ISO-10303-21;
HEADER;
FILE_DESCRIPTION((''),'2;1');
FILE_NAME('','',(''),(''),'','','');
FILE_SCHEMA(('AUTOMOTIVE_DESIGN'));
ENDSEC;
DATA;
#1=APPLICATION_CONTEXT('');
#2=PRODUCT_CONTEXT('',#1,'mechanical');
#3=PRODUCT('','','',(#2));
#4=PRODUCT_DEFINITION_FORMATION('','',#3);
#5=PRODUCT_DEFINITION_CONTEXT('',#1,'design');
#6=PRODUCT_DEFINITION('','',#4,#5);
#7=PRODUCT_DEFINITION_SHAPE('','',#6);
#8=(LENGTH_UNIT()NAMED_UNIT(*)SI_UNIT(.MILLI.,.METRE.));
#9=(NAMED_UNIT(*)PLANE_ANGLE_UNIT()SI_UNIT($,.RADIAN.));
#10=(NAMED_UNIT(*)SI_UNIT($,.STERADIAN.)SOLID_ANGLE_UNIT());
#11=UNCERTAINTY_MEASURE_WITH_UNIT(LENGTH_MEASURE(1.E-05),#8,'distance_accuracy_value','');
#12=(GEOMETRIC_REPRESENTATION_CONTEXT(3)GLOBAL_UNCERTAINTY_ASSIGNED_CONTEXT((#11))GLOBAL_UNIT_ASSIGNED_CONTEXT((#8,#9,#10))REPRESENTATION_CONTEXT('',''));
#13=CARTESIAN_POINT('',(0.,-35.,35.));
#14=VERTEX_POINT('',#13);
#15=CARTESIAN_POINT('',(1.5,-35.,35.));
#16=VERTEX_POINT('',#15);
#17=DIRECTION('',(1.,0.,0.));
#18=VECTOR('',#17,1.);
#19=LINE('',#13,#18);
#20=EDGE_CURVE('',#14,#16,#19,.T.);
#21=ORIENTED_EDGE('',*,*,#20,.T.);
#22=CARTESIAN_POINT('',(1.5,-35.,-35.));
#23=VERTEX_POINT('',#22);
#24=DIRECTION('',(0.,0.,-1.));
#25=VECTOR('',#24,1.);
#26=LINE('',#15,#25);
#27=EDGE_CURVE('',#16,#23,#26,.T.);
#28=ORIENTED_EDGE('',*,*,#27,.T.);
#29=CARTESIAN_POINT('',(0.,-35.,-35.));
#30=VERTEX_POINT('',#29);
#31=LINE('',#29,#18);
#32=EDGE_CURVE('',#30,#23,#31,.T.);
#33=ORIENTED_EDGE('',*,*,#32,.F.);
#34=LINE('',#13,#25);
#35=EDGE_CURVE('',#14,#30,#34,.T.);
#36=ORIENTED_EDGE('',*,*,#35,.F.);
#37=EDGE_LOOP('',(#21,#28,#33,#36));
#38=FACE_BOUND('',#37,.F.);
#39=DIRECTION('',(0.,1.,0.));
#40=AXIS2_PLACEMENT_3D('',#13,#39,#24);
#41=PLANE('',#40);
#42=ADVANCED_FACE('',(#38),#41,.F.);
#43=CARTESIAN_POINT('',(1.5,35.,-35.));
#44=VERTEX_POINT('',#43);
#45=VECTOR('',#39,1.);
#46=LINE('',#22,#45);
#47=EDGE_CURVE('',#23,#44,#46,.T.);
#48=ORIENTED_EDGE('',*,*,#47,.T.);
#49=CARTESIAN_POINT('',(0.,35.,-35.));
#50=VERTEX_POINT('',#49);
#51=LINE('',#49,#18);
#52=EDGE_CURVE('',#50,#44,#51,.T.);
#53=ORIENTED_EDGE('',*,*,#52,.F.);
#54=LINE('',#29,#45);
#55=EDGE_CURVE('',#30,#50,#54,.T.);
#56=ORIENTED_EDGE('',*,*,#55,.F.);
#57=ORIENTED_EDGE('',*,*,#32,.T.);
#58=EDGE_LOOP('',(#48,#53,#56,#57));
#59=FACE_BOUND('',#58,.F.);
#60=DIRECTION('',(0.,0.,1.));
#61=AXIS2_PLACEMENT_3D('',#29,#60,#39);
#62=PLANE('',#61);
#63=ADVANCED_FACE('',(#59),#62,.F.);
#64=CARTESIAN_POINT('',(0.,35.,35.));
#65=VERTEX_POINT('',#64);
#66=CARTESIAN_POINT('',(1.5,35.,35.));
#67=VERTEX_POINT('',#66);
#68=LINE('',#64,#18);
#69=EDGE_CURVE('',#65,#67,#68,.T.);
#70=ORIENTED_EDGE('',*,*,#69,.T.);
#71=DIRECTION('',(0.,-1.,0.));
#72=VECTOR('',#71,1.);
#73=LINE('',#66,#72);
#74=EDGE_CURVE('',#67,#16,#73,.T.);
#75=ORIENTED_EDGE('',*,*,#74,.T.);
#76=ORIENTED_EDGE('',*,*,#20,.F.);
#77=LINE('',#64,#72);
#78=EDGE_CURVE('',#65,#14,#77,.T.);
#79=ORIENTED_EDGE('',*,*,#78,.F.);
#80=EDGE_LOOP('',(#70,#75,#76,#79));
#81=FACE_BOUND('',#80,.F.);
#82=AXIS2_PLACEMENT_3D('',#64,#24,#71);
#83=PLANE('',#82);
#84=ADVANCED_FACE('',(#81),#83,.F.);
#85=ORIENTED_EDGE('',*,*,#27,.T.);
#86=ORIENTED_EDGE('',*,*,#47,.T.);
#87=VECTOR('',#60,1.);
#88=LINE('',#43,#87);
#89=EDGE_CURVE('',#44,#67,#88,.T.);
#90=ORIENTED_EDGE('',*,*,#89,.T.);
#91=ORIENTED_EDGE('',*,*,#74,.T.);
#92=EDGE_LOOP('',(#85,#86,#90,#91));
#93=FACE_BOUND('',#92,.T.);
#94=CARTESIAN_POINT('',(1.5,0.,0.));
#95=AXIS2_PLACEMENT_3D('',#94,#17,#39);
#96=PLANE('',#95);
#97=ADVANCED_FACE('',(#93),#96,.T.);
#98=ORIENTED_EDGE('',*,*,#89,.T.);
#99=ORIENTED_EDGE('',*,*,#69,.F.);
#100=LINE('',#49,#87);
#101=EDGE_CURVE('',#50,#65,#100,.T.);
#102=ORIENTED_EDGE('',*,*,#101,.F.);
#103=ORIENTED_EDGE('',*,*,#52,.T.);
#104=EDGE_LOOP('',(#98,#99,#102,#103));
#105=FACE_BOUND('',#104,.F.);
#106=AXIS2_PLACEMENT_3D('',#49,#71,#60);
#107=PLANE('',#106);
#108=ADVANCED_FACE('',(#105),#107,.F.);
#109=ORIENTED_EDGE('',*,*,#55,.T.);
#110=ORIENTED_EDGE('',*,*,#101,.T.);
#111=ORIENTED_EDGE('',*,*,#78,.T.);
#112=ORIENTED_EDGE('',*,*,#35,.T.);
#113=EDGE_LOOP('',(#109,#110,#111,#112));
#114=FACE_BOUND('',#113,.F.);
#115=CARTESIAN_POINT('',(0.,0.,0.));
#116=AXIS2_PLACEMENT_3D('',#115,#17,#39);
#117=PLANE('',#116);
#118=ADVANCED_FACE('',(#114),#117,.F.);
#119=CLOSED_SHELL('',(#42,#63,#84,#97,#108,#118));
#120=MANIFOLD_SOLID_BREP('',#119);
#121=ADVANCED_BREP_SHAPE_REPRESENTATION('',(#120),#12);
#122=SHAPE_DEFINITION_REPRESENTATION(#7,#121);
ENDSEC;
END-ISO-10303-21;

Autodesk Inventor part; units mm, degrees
ref_plane "YZ Plane" through (0, 0, 0) normal (1, 0, 0) x (0, 1, 0)
ref_plane "XZ Plane" through (0, 0, 0) normal (0, 1, 0) x (-1, 0, 0)
ref_plane "XY Plane" through (0, 0, 0) normal (0, 0, 1) x (1, 0, 0)
sketch "Sketch1" plane through (0, 0, 0) normal (1, 0, 0) x (0, 1, 0)
  line L0 (35, 35) -> (-35, 35)
  line L1 (-35, 35) -> (-35, -35)
  line L2 (-35, -35) -> (35, -35)
  line L3 (35, -35) -> (35, 35)
  point P0 (0, 0)
  dimension "d0" = 70
  dimension "d1" = 70
  dimension "d2" = 35
  dimension "d3" = 35
extrude "Extrusion1" add sketch "Sketch1" along normal blind 1.5
properties part number "chapa"
